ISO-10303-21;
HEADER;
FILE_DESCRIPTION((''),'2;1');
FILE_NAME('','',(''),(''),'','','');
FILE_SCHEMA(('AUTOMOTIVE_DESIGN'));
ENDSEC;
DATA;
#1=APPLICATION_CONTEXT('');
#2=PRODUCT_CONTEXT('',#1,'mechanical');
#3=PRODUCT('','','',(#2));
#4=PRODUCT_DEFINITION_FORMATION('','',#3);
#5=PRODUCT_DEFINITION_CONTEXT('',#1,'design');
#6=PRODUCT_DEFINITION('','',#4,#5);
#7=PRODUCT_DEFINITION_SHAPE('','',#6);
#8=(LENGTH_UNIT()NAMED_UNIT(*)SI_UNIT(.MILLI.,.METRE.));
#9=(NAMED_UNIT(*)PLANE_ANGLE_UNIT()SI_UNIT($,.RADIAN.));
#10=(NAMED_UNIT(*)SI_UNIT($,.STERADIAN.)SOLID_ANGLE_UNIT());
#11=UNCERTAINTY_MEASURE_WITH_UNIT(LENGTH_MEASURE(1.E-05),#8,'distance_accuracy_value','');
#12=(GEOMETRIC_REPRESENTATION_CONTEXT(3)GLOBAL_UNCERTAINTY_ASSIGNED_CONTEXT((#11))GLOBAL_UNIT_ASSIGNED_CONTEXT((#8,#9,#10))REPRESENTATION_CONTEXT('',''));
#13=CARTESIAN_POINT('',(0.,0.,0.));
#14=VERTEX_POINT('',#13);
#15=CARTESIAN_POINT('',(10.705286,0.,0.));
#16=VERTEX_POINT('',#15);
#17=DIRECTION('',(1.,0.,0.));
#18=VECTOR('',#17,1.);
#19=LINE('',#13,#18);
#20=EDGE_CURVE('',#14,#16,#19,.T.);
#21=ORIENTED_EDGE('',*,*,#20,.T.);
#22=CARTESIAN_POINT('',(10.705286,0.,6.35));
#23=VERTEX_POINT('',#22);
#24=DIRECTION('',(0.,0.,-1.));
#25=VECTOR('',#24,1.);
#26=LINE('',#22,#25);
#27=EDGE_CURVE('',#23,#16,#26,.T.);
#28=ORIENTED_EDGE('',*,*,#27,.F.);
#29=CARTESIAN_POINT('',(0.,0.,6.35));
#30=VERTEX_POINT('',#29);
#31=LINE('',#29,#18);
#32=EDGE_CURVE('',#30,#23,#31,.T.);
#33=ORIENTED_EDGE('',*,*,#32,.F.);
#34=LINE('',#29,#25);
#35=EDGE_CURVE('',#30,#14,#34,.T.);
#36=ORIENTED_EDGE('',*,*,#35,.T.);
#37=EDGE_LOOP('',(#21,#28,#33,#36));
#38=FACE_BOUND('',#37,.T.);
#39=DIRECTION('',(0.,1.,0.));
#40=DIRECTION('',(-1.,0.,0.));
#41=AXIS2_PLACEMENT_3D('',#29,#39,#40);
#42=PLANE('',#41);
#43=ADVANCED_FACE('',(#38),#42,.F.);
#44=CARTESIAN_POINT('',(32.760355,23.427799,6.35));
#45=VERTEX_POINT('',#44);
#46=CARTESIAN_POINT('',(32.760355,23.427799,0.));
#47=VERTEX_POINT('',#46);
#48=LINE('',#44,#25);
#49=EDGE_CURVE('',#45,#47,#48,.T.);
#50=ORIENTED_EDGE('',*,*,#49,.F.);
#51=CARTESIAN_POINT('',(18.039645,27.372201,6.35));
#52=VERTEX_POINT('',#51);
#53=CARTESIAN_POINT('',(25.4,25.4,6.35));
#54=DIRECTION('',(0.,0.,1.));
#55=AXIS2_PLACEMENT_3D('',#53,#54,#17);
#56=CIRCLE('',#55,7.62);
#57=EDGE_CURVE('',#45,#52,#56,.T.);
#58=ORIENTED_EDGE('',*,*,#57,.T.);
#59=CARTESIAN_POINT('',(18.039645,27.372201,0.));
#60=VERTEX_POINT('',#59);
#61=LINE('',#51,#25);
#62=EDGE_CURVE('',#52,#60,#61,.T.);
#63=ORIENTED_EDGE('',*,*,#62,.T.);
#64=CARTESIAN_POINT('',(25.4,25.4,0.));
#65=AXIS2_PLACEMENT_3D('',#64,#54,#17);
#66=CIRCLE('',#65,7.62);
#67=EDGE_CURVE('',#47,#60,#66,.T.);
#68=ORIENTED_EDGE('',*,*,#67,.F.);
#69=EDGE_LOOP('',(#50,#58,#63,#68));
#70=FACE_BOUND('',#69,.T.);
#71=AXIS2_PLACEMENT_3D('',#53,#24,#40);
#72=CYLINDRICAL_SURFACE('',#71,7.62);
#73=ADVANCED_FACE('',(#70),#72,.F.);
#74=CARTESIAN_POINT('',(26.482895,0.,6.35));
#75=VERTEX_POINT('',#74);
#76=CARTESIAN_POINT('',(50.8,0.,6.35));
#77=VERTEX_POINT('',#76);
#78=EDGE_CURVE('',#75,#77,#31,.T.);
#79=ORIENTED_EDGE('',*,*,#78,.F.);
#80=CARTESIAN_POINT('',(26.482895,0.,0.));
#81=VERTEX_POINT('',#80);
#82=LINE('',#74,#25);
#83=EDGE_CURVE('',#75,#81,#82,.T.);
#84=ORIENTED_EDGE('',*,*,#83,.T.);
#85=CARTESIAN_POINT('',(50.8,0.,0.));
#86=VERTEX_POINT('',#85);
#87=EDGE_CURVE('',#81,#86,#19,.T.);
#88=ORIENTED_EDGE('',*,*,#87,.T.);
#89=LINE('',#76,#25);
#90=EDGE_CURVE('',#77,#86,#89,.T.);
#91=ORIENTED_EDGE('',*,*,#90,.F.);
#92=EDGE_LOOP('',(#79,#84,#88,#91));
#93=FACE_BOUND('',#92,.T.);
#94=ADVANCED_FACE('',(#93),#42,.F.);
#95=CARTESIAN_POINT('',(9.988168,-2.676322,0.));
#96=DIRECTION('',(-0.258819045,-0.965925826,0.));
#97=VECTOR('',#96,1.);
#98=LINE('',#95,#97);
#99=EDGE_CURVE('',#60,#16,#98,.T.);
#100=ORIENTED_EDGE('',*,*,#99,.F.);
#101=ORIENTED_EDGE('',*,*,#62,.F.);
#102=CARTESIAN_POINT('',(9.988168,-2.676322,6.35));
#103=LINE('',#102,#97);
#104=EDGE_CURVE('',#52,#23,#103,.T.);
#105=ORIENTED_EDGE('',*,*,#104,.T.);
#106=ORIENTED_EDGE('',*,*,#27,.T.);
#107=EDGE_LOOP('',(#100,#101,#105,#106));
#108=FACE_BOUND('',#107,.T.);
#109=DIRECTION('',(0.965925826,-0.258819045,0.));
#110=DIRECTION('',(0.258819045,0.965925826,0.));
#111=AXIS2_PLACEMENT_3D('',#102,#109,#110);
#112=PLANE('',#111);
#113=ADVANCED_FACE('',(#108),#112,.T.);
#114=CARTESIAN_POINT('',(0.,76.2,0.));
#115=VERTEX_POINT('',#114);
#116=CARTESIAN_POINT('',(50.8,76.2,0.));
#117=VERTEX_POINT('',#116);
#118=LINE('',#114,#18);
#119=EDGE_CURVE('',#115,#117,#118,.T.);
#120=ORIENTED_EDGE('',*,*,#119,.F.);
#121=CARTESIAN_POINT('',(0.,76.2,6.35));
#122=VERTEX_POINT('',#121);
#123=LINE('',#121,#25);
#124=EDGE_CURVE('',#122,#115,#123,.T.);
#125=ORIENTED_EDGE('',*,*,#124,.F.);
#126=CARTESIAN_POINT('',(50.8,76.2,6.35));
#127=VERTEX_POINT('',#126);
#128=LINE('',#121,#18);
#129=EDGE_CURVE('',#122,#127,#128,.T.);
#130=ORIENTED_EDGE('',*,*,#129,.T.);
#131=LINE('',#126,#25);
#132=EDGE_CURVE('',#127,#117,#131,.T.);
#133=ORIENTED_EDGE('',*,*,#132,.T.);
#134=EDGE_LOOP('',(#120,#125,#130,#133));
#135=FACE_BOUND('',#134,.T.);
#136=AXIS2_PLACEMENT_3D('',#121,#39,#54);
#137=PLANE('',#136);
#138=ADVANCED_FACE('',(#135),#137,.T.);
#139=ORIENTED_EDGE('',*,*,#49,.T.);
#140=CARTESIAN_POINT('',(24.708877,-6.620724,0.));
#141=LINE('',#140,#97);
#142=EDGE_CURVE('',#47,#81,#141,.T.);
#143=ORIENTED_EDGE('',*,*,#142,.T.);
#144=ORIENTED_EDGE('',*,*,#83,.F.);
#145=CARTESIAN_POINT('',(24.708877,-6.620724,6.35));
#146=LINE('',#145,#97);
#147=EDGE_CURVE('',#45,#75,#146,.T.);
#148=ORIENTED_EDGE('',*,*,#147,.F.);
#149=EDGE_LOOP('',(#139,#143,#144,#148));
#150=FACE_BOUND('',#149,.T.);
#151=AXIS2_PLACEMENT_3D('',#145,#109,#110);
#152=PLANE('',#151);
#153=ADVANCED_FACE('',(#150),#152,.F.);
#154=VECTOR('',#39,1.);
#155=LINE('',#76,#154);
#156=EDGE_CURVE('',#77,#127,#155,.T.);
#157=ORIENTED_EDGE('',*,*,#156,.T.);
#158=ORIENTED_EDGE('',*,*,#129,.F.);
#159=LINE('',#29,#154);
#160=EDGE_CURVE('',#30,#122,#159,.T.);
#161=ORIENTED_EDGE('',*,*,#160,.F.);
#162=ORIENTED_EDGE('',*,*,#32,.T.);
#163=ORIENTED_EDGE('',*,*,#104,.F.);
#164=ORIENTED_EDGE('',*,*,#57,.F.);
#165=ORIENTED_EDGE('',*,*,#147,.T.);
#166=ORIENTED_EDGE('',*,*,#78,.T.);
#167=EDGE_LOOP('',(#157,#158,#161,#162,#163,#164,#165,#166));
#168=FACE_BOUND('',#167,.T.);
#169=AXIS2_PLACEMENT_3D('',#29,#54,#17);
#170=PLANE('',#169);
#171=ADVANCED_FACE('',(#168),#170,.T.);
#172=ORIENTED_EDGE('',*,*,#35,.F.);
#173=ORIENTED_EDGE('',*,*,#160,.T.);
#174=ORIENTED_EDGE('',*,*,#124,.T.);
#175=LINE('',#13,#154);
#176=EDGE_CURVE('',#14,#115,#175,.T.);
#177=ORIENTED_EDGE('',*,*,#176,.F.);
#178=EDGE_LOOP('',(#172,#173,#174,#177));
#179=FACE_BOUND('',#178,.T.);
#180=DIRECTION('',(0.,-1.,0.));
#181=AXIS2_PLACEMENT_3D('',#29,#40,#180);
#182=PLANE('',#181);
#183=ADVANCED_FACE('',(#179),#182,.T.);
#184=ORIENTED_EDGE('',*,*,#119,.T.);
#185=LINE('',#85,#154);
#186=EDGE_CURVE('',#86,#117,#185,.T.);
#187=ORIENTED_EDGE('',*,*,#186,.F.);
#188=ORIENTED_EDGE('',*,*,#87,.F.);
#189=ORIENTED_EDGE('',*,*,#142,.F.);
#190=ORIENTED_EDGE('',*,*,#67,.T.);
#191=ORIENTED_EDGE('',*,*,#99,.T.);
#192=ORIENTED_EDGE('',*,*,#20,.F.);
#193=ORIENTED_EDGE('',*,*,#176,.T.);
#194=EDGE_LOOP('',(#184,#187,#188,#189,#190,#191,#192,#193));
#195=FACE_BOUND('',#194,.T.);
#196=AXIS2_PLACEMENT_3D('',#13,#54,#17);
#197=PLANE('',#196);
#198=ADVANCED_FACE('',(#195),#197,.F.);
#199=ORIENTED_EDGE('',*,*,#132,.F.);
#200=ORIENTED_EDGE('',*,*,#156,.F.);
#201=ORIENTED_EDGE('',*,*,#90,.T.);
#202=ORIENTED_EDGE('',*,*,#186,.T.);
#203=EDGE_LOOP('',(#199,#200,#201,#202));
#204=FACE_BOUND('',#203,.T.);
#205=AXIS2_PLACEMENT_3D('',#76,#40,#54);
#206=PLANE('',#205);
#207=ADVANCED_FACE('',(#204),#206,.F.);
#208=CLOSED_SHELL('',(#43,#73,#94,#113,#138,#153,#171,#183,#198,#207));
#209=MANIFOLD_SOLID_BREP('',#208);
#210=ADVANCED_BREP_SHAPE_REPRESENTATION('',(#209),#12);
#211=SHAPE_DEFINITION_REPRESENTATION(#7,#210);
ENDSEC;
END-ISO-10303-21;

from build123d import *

# Parameters (mm, degrees)
BOSS_EXTRUDE1_DEPTH = 6.35


with BuildPart() as part:
    # Sketch1 → Boss-Extrude1 (new body)
    with BuildSketch(Plane.XY):
        with BuildLine():
            Line((10.705286018, 0), (18.039645204, 27.372201124))
            ThreePointArc((18.039645204, 27.372201124), (27.372201124, 32.760354796), (32.760354796, 23.427798876))
            Line((32.760354796, 23.427798876), (26.482895007, 0))
            Line((26.482895007, 0), (50.8, 0))
            Line((50.8, 0), (50.8, 76.2))
            Line((50.8, 76.2), (0, 76.2))
            Line((0, 76.2), (0, 0))
            Line((0, 0), (10.705286018, 0))
        make_face()
    extrude(amount=BOSS_EXTRUDE1_DEPTH)


solid = part.part
